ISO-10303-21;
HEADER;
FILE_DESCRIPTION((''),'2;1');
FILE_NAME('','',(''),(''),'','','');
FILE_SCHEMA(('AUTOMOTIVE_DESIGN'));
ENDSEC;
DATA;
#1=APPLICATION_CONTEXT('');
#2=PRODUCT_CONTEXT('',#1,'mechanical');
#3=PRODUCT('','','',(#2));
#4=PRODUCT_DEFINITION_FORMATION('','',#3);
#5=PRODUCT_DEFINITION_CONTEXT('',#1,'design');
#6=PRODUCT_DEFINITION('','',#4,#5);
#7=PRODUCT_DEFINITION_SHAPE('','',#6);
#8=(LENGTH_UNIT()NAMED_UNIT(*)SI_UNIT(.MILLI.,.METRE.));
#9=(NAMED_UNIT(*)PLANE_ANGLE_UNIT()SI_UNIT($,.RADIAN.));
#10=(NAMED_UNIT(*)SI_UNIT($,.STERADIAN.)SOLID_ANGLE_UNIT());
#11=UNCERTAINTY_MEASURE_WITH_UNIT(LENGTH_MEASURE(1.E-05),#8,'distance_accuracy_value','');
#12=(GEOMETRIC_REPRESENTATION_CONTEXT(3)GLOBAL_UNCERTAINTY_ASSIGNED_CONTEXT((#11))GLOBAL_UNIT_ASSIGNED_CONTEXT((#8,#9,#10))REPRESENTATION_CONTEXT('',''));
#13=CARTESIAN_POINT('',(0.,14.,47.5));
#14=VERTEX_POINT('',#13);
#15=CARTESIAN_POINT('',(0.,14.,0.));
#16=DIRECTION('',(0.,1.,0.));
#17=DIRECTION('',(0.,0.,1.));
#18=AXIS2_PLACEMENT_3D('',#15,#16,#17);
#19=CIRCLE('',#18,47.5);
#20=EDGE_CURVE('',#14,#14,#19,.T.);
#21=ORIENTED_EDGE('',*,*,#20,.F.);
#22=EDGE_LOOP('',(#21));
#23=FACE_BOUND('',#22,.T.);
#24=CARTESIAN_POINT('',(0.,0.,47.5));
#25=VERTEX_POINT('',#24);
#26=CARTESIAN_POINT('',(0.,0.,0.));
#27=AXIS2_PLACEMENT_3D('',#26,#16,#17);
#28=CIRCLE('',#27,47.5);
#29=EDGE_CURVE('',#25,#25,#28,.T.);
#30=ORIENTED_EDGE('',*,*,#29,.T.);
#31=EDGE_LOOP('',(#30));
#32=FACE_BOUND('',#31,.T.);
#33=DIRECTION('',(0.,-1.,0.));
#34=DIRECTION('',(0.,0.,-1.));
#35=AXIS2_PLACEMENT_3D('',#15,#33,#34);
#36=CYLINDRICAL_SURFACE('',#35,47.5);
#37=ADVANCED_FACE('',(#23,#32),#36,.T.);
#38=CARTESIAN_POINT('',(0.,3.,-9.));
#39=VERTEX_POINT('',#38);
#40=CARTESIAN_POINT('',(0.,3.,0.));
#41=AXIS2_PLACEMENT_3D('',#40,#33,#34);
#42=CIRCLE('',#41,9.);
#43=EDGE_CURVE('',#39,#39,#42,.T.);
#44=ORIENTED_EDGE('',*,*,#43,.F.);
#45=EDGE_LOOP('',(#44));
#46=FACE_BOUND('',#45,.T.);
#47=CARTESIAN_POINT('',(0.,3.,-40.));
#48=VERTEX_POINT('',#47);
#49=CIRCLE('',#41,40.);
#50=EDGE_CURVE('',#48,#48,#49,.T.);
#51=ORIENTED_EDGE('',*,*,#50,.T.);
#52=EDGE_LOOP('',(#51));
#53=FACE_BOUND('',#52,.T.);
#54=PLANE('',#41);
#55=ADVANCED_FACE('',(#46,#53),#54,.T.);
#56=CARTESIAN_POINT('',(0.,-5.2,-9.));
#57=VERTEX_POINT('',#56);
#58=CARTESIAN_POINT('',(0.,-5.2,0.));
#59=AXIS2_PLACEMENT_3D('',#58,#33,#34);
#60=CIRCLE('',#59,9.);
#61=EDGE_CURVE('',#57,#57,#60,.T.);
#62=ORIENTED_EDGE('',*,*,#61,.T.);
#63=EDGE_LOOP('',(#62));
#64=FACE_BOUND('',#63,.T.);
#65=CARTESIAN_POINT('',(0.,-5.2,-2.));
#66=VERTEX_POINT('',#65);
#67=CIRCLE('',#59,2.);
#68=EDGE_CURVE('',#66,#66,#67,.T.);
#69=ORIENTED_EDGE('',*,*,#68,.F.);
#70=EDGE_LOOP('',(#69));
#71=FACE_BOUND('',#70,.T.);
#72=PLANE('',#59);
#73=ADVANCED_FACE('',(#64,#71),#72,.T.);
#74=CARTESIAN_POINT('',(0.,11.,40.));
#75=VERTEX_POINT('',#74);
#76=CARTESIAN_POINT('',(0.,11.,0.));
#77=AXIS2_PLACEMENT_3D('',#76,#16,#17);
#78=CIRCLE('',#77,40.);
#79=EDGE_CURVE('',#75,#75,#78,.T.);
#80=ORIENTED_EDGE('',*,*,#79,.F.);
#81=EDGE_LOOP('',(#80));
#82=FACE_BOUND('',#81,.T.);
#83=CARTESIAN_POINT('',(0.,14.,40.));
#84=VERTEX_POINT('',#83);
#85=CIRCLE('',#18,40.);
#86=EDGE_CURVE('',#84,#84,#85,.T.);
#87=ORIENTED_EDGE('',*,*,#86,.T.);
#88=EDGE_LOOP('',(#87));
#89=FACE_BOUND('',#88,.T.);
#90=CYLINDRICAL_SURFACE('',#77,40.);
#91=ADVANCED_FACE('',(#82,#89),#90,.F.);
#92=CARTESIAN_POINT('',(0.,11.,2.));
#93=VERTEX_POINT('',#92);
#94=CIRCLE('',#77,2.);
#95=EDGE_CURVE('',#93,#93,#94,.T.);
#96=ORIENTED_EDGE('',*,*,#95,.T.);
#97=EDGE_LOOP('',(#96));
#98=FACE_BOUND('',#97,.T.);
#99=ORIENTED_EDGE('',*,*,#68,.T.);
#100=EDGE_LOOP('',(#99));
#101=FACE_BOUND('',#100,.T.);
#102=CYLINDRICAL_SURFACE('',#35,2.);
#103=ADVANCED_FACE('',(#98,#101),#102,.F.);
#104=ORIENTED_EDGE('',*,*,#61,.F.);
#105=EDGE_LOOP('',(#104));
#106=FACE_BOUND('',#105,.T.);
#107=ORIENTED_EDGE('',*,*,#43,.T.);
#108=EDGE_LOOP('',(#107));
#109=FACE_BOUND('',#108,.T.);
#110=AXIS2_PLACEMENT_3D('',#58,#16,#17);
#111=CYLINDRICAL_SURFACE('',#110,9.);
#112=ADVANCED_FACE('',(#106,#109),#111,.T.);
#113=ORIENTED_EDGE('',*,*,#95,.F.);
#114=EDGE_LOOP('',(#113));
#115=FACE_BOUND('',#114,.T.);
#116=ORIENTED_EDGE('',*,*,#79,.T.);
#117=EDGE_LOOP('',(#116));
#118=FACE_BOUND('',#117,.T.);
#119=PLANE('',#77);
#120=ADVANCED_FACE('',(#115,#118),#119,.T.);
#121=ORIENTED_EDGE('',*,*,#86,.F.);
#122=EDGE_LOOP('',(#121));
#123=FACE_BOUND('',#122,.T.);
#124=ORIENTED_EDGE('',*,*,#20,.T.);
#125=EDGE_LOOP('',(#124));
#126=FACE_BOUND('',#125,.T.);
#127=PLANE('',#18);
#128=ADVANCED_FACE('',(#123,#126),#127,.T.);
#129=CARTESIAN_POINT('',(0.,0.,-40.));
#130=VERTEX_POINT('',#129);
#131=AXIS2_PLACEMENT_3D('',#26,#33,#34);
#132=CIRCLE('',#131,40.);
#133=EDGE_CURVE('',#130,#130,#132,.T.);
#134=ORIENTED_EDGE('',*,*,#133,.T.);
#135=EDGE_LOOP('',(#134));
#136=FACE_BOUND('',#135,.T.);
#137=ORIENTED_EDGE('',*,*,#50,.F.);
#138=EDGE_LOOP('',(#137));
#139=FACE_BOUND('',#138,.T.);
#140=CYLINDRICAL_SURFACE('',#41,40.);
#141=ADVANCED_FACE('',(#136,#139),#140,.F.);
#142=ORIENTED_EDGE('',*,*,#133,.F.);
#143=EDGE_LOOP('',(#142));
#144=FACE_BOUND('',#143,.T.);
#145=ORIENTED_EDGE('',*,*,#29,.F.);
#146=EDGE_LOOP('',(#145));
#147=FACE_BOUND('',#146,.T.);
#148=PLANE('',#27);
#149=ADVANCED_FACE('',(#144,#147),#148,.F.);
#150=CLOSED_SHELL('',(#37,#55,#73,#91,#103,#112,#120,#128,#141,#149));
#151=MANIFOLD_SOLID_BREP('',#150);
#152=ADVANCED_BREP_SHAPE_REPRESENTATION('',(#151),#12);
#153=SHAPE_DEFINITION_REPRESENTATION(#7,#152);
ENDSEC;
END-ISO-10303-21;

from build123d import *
from build123d.topology import SkipClean

# Parameters (mm, degrees)
SKETCH_1_R          = 47.5
SKETCH_1_R_2        = 2
EXTRUDE_1_DEPTH     = 14
EXTRUDE_START       = 5.2
SKETCH_2_R          = 9
SKETCH_2_R_2        = 2
EXTRUDE_2_DEPTH     = 5.2
SKETCH_4_R          = 40
SKETCH_4_R_2        = 9
CUT_EXTRUDE_3_DEPTH = 3
CUT_EXTRUDE_START   = -3
SKETCH_3_R          = 40
CUT_EXTRUDE_4_DEPTH = 3


with BuildPart() as part:
    # 草图1 → 凸台-拉伸1 (new body)
    with BuildSketch(Plane(origin=(0, 0, 0), x_dir=(1, 0, 0), z_dir=(0, 1, 0))):
        with Locations(Location((0, 0, 0), (0, 0, 270))):
            Circle(SKETCH_1_R)
        with Locations(Location((0, 0, 0), (0, 0, 270))):
            Circle(SKETCH_1_R_2, mode=Mode.SUBTRACT)
    extrude(amount=EXTRUDE_1_DEPTH)

    # 草图2 → 凸台-拉伸2 (add)
    with SkipClean():  # the faces are left unmerged after this step: merging them gives an invalid solid
        with BuildSketch(Plane(origin=(0, 0, 0), x_dir=(-1, 0, 0), z_dir=(0, -1, 0)).offset(EXTRUDE_START)):
            with Locations(Location((0, 0, 0), (0, 0, 270))):
                Circle(SKETCH_2_R)
            with Locations(Location((0, 0, 0), (0, 0, 90))):
                Circle(SKETCH_2_R_2, mode=Mode.SUBTRACT)
        extrude(amount=-EXTRUDE_2_DEPTH)

    # 草图4 → 切除-拉伸3 (cut)
    with SkipClean():  # the faces are left unmerged after this step: merging them gives an invalid solid
        with BuildSketch(Plane.XZ):
            with Locations(Location((0, 0, 0), (0, 0, 270))):
                Circle(SKETCH_4_R)
            with Locations(Location((0, 0, 0), (0, 0, 270))):
                Circle(SKETCH_4_R_2, mode=Mode.SUBTRACT)
        extrude(amount=-CUT_EXTRUDE_3_DEPTH, mode=Mode.SUBTRACT)

    # 草图3 → 切除-拉伸4 (cut)
    with BuildSketch(Plane(origin=(0, 14, 0), x_dir=(1, 0, 0), z_dir=(0, 1, 0)).offset(CUT_EXTRUDE_START)):
        with Locations(Location((0, 0, 0), (0, 0, 90))):
            Circle(SKETCH_3_R)
    extrude(amount=CUT_EXTRUDE_4_DEPTH, mode=Mode.SUBTRACT)


solid = part.part
